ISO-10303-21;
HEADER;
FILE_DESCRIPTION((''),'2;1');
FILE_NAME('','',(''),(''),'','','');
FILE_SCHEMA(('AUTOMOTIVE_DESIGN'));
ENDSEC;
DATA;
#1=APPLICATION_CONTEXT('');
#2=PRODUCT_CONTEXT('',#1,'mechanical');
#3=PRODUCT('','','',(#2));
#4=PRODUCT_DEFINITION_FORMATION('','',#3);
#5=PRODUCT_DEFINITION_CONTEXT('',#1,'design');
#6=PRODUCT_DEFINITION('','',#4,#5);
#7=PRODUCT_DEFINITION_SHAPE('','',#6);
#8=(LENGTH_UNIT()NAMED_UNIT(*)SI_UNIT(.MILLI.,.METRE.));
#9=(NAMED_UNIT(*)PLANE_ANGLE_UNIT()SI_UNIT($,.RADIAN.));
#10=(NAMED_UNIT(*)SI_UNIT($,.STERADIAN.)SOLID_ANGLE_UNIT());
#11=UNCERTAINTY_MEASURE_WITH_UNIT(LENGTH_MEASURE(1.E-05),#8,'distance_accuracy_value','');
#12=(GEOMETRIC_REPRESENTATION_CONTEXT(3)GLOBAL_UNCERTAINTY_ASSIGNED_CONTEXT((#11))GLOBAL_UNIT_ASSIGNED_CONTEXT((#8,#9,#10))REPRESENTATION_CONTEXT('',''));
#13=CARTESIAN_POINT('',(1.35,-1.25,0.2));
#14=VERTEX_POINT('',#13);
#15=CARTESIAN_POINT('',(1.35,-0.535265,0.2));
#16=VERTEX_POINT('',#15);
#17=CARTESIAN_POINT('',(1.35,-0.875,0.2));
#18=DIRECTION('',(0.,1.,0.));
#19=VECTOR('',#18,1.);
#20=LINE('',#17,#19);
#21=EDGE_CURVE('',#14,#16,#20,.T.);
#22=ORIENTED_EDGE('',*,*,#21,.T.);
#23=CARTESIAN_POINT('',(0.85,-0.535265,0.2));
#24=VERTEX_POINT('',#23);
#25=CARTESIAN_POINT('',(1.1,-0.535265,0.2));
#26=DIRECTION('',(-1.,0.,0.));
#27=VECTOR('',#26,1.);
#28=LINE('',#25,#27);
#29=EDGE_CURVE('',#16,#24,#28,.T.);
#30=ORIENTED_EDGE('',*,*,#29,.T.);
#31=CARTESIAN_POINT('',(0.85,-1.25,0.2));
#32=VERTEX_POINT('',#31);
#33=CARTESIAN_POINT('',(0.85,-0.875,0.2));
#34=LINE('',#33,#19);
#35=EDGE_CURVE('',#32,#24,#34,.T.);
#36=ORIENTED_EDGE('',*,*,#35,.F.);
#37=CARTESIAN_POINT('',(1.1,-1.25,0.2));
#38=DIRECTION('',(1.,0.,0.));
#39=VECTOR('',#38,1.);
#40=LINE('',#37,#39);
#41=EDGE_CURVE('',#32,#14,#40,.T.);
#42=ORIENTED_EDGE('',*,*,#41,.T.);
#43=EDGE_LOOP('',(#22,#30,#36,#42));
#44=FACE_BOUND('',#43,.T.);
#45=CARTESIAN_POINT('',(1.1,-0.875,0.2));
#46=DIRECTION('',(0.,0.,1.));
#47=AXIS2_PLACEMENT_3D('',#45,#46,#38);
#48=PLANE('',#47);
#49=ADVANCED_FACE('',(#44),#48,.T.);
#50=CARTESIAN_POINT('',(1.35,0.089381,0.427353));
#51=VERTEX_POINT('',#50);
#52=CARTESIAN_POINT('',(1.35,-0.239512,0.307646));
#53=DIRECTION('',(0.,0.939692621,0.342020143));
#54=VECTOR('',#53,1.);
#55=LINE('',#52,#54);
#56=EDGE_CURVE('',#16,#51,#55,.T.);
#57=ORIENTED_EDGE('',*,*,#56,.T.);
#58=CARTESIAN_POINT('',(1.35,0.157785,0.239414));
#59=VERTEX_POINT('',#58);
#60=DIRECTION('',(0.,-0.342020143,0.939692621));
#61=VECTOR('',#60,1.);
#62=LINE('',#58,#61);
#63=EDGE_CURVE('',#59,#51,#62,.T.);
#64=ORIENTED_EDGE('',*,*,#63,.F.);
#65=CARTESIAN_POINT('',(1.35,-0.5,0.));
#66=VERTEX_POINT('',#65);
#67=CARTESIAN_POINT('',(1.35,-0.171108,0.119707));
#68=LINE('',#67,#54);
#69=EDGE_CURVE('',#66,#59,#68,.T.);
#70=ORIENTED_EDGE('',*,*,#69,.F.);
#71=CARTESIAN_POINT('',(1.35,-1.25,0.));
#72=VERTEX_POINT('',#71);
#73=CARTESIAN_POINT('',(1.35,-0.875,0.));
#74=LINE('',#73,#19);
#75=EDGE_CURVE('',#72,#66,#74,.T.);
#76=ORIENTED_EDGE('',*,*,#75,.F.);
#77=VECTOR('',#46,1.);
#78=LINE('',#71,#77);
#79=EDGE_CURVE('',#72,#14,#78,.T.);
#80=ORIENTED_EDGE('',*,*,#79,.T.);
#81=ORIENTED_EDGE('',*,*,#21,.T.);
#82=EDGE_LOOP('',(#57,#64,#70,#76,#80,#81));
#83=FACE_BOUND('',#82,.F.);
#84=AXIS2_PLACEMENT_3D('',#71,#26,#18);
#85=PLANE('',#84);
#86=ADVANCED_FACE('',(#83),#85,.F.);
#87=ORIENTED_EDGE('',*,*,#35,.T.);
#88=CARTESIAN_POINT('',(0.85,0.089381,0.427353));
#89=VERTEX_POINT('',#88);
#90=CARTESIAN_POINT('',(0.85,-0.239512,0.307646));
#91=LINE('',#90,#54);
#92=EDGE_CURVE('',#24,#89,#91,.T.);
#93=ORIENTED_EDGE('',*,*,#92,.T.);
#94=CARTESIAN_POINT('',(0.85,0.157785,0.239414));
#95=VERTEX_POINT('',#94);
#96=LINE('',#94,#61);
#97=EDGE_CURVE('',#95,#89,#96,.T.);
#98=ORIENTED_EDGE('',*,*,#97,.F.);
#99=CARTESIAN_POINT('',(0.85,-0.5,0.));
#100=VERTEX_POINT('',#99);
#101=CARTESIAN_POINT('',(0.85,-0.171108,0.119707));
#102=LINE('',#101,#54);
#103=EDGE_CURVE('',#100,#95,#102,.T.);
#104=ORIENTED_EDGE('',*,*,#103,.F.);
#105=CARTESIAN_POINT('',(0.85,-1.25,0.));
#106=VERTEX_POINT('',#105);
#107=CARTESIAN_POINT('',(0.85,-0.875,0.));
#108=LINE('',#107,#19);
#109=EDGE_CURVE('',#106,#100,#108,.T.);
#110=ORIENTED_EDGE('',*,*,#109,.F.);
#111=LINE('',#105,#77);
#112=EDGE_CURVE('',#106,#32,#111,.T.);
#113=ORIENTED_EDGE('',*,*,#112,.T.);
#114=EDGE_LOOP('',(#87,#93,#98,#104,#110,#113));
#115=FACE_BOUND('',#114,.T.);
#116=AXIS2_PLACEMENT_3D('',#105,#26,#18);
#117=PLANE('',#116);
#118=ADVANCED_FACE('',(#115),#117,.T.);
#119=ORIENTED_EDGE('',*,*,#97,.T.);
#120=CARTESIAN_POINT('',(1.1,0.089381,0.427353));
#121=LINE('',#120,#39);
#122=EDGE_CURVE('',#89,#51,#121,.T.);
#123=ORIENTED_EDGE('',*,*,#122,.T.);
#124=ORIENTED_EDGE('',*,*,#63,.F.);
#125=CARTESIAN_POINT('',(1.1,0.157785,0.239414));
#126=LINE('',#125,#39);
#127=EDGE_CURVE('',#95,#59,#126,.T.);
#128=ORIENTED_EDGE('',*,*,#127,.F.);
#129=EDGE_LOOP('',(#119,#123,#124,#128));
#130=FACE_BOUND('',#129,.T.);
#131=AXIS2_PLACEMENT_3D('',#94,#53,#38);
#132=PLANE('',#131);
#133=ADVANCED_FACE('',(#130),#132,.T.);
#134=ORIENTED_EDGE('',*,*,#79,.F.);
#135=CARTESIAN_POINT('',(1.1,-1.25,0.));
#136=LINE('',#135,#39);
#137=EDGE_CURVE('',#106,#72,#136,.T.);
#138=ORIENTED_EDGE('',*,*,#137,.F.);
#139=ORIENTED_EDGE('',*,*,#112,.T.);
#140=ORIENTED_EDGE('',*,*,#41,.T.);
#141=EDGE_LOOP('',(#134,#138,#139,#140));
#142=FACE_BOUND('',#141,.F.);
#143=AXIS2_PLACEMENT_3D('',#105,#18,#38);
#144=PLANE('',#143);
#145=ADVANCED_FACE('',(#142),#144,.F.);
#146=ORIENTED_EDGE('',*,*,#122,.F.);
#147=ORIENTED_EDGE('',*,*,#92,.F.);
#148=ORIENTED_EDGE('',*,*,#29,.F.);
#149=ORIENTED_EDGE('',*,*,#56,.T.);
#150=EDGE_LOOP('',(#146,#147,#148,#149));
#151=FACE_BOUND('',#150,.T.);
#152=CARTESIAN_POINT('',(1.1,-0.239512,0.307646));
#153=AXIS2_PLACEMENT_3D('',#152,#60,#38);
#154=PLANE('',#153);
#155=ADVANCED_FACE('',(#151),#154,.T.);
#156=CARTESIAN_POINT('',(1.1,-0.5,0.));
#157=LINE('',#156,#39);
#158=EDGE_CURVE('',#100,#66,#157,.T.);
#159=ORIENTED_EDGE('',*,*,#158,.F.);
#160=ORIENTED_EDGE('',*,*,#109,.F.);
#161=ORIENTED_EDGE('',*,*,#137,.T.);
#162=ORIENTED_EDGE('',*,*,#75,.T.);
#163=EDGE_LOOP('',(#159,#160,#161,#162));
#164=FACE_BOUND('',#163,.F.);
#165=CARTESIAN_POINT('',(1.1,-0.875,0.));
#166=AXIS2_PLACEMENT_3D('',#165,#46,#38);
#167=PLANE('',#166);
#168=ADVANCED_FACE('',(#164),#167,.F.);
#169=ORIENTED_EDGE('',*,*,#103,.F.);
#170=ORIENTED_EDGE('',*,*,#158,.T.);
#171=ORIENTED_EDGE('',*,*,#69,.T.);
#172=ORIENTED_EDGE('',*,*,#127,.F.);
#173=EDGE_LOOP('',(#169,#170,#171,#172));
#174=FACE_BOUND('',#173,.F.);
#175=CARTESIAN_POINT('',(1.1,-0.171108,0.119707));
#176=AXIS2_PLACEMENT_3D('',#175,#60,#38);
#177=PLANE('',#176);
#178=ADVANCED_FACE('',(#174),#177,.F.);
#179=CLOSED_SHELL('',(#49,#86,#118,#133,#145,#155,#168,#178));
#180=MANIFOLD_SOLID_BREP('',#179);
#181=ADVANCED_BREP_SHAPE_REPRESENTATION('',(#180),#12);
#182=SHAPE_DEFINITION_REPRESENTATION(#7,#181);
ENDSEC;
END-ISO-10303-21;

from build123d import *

# Parameters (mm, degrees)
BOX003_W               = 0.5
BOX003_H               = 0.75
BOX003_DEPTH           = 0.2
BOX004_W               = 0.5
BOX004_H               = 0.7
BOX004_DEPTH           = 0.2
BOX004_PLACEMENT_ANGLE = 20


with BuildPart() as cube003:
    # Box003 → Box003 (new body)
    with BuildSketch(Plane(origin=(0, -1.25, 0), x_dir=(1, 0, 0), z_dir=(0, 0, 1))):
        with Locations((0.25, 0.375)):
            Rectangle(BOX003_W, BOX003_H)
    extrude(amount=BOX003_DEPTH)


with BuildPart() as fusion001:
    # Box004 → Box004 (new body)
    with BuildSketch(Plane.XY):
        with Locations((0.25, 0.35)):
            Rectangle(BOX004_W, BOX004_H)
    extrude(amount=BOX004_DEPTH)


with BuildPart() as fusion001_1:
    # Box004 placement: moved
    add(fusion001.part.moved(Location((0, -0.5, 0))).rotate(Axis((0, -0.5, 0), (1, 0, 0)), BOX004_PLACEMENT_ANGLE))

    # Fusion001: union Cube003
    add(cube003.part)


with BuildPart() as fusion001_2:
    # Fusion001 placement: moved
    add(fusion001_1.part.moved(Location((0.85, 0, 0))))


solid = fusion001_2.part
